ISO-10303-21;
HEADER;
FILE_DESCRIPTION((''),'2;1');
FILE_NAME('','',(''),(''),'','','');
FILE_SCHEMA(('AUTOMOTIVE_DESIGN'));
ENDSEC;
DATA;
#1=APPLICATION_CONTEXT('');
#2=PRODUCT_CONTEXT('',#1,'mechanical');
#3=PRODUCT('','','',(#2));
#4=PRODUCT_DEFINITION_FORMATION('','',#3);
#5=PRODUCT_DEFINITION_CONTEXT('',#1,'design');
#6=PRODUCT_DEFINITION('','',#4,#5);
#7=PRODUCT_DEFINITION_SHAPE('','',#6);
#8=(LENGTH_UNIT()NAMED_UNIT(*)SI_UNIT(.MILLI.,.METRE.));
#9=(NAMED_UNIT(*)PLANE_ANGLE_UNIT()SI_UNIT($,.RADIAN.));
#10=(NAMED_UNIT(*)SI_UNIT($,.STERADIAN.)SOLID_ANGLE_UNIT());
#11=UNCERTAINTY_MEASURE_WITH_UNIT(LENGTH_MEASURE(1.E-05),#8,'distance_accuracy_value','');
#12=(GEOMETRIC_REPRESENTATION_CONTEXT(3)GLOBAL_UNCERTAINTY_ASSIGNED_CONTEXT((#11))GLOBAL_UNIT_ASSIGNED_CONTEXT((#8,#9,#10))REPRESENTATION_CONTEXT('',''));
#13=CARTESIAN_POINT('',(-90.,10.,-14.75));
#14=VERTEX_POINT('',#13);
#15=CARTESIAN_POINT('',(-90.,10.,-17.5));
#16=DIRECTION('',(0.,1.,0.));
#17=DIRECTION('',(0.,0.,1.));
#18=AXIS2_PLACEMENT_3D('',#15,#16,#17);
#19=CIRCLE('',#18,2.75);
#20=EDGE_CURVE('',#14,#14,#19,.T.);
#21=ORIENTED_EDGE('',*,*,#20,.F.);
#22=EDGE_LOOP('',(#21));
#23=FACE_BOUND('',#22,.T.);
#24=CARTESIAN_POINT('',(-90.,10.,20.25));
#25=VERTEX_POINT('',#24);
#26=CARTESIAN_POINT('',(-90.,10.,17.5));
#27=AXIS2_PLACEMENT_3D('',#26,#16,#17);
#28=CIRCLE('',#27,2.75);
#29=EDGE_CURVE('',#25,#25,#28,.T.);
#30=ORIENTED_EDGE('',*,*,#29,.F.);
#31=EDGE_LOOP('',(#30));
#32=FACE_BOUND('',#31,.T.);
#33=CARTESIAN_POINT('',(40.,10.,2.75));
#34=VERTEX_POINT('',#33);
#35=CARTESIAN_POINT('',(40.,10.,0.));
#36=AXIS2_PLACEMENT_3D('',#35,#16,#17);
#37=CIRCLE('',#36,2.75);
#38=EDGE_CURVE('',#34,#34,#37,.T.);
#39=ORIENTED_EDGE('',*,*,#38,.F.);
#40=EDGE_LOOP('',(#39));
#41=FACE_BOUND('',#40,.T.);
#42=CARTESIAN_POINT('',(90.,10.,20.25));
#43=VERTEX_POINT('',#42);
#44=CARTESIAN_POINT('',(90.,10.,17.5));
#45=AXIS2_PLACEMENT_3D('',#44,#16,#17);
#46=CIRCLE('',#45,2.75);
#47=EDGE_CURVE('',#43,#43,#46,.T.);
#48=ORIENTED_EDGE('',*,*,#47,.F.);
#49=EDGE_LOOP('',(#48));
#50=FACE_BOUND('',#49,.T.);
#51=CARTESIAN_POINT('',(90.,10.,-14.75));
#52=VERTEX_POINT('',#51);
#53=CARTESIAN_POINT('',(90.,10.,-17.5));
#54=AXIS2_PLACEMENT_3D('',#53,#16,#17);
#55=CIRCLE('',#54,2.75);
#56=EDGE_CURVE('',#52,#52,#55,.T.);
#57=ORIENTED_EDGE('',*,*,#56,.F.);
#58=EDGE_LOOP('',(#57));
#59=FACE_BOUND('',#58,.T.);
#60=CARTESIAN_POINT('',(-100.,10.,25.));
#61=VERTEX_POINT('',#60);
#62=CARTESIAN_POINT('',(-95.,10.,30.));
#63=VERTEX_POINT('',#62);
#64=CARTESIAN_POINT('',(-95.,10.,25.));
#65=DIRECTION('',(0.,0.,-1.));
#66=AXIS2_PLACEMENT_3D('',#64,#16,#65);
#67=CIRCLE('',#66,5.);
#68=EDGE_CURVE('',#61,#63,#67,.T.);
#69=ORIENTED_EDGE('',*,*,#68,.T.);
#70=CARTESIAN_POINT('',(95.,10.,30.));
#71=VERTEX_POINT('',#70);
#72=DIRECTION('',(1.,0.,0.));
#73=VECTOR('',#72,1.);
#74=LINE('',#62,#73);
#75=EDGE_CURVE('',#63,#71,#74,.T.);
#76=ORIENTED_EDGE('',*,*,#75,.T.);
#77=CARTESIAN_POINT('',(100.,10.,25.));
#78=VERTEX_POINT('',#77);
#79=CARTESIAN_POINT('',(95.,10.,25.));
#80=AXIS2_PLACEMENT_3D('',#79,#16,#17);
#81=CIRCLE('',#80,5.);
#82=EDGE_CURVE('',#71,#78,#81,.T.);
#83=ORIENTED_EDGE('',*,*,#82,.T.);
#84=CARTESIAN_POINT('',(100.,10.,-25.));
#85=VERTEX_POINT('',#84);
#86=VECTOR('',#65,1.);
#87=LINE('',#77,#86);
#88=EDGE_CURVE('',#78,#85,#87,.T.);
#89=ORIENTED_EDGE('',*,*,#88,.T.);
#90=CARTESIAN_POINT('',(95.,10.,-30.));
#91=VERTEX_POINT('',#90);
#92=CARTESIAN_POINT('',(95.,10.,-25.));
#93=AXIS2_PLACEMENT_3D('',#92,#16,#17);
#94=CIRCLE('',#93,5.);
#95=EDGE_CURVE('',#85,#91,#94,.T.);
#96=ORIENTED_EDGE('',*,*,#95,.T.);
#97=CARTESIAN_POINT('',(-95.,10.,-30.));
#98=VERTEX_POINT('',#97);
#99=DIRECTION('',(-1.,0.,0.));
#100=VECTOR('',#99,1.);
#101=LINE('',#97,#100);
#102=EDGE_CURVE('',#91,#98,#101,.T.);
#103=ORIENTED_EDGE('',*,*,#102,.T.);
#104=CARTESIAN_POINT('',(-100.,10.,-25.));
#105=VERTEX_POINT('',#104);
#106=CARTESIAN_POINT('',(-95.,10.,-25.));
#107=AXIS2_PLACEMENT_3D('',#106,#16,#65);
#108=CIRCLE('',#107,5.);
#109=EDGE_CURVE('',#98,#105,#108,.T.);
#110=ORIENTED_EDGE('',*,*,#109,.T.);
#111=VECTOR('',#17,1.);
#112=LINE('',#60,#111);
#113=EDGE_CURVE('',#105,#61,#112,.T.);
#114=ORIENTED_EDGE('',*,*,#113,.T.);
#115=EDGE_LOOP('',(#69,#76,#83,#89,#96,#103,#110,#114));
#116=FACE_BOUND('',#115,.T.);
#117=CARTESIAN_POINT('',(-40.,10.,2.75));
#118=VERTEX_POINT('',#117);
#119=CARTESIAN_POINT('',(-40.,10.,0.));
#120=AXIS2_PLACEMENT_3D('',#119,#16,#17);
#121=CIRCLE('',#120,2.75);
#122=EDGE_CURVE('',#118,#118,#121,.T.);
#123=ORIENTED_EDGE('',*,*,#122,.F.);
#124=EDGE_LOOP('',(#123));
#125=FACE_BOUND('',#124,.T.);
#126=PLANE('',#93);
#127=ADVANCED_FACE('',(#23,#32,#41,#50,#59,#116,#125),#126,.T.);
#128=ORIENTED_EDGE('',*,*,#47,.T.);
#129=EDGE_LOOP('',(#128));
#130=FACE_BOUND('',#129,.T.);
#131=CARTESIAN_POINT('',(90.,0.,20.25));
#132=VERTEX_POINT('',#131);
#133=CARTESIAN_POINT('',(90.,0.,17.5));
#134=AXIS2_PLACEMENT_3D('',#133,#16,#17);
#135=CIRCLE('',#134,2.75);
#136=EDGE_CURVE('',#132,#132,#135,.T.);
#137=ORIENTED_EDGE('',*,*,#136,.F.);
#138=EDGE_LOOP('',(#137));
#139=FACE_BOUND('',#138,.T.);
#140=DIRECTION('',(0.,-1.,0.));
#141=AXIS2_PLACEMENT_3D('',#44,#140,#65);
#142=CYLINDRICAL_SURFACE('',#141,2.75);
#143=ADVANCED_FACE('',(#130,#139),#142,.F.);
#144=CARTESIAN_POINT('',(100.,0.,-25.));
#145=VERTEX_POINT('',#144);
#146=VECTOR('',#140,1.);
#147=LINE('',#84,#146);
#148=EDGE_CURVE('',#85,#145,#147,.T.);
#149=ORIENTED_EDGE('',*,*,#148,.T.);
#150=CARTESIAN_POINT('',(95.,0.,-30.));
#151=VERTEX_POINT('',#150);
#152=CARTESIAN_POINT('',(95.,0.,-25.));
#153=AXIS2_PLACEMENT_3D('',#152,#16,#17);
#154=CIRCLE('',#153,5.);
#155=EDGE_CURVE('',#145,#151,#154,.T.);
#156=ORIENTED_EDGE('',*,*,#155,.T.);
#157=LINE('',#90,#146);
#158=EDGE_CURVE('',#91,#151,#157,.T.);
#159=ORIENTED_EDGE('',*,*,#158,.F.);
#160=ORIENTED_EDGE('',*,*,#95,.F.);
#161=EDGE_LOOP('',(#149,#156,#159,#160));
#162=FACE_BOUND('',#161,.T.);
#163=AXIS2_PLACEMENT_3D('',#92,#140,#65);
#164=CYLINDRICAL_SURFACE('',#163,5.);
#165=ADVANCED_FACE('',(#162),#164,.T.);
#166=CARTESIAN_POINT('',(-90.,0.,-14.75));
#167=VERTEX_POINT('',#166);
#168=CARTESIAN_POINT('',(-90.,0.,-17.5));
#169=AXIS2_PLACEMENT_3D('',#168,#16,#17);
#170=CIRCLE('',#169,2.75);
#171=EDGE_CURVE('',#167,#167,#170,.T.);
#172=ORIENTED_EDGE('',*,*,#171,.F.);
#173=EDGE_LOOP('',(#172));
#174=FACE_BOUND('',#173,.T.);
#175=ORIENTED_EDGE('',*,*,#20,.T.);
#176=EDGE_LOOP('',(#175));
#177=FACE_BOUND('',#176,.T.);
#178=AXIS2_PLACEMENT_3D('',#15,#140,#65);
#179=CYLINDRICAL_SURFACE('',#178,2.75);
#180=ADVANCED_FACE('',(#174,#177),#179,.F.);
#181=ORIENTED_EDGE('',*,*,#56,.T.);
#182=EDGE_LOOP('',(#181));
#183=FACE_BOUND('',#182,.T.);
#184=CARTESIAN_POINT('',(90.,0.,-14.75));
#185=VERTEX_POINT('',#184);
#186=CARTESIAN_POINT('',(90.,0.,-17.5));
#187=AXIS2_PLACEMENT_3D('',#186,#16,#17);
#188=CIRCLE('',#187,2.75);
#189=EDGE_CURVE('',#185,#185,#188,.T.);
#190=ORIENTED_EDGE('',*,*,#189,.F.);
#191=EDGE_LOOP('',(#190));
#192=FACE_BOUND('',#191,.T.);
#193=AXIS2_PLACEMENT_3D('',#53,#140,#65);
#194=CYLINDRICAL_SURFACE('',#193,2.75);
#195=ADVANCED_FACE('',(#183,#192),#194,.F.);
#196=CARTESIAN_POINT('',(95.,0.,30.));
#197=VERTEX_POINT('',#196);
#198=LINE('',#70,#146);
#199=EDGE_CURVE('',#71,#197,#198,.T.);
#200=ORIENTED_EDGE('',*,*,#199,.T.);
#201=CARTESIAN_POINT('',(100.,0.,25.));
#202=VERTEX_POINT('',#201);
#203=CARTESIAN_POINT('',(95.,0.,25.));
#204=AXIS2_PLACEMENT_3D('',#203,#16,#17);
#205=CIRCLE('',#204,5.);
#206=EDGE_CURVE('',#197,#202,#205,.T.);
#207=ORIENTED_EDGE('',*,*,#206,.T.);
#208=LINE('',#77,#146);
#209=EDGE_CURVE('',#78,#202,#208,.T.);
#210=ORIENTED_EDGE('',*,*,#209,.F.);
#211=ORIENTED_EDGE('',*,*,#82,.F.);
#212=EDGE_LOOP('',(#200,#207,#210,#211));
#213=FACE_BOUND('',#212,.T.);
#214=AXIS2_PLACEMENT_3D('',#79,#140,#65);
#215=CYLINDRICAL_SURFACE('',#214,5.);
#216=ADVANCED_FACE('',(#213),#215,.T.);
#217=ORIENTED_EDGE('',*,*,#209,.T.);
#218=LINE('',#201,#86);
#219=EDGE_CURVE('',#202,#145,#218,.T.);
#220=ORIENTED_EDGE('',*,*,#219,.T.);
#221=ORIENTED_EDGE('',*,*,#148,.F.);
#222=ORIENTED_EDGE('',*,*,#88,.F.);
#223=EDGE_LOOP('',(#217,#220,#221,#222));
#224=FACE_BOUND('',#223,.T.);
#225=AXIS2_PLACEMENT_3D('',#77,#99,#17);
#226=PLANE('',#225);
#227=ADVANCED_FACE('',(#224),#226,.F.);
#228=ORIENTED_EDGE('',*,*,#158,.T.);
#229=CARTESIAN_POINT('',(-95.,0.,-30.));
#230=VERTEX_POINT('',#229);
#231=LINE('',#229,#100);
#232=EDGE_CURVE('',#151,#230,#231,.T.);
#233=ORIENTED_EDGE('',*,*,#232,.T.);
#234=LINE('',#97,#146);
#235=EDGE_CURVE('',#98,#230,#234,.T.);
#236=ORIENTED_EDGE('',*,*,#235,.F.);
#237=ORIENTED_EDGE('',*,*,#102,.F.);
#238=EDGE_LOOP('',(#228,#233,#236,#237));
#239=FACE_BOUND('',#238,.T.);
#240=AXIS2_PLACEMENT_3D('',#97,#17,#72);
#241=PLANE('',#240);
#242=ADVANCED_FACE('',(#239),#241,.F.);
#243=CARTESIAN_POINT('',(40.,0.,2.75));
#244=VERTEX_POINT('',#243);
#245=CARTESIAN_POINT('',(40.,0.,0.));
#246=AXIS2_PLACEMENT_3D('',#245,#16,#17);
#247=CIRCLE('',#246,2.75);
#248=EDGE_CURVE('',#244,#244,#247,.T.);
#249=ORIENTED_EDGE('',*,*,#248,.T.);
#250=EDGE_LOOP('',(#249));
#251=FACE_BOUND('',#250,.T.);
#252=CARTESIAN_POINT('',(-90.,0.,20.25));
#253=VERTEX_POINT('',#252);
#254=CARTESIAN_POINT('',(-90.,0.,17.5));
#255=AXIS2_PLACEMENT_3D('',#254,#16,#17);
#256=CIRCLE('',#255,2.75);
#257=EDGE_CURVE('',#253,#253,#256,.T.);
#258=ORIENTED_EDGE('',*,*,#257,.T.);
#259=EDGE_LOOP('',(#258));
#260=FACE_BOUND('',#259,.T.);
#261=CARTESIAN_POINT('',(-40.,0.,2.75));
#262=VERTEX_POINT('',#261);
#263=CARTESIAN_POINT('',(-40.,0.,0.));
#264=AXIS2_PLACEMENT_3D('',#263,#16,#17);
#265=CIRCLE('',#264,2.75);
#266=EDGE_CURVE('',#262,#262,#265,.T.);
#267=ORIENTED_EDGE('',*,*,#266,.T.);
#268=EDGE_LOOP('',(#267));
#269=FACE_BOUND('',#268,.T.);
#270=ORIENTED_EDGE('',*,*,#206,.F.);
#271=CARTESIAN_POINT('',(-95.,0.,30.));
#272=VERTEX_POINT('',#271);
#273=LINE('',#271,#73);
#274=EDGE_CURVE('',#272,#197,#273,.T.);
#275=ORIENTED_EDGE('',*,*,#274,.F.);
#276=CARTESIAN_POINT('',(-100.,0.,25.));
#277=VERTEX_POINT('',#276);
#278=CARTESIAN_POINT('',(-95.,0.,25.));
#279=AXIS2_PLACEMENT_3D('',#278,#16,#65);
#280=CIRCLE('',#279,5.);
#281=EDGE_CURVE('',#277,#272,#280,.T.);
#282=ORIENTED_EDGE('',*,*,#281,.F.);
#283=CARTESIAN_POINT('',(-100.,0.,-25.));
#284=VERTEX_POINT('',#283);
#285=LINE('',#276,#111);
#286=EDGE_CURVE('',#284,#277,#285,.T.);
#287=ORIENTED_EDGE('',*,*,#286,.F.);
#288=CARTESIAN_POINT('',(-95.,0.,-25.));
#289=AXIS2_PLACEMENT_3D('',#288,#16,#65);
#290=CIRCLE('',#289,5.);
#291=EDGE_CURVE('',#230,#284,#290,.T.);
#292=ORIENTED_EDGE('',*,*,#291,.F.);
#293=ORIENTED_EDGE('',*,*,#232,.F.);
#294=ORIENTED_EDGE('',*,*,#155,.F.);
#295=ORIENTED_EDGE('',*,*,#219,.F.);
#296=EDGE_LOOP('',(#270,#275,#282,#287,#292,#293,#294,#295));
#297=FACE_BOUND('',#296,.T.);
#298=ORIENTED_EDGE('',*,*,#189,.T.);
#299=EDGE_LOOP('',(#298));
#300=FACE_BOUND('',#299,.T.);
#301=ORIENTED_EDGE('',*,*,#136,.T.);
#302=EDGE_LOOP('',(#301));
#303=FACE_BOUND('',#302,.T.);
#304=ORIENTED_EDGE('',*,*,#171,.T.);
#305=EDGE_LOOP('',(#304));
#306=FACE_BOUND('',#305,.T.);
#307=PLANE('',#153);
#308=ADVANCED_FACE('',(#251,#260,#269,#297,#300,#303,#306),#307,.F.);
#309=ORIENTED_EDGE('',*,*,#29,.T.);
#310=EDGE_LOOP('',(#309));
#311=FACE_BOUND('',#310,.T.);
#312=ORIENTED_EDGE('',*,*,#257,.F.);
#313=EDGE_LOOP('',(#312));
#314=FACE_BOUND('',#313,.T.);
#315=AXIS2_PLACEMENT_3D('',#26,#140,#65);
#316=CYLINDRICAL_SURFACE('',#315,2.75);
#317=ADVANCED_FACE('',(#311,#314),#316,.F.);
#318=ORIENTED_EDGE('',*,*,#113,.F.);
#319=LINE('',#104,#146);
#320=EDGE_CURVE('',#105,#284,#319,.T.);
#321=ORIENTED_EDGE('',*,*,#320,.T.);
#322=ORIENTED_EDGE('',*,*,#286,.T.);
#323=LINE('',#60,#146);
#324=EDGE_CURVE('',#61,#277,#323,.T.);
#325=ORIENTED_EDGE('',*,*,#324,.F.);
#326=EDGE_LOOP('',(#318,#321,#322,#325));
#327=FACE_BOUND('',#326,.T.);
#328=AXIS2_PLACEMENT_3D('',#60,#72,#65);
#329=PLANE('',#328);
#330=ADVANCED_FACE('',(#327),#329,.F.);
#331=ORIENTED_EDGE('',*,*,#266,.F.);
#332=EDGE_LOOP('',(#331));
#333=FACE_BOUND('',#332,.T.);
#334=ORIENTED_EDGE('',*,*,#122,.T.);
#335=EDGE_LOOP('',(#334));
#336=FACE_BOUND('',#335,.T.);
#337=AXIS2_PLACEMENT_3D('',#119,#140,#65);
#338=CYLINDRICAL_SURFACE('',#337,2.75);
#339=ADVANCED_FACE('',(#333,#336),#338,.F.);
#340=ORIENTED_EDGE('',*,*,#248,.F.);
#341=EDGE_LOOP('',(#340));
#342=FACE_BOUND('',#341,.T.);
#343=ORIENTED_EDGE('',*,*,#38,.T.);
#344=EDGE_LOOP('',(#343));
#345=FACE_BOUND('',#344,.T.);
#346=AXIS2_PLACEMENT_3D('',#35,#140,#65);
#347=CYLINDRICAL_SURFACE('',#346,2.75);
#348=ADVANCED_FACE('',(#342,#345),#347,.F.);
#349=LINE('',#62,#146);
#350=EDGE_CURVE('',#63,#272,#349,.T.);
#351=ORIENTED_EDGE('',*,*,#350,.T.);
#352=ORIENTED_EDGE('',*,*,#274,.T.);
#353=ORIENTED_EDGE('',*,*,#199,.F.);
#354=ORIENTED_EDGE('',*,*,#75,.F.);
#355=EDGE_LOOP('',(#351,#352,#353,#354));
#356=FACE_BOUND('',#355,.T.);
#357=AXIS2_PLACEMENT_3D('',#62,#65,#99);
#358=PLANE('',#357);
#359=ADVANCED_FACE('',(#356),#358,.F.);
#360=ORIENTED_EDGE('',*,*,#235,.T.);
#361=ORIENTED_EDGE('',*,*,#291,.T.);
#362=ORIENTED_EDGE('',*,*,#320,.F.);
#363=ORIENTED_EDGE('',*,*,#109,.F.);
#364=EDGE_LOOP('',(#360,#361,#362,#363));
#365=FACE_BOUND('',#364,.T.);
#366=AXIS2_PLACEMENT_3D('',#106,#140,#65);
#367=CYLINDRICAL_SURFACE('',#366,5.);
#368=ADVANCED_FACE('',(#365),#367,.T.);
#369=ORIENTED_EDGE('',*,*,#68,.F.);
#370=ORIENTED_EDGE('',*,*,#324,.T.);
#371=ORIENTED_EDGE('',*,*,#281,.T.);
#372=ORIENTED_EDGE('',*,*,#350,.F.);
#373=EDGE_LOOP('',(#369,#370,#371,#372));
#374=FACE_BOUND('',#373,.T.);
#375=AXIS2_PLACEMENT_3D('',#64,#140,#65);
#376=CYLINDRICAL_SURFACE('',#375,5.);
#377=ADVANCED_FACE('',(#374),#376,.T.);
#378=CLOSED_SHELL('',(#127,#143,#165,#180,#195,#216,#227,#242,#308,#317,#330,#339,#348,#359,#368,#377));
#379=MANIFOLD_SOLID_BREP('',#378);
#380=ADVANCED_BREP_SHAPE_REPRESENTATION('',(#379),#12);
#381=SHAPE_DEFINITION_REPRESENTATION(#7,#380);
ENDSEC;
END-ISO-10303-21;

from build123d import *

# Parameters (mm, degrees)
SKETCH1_R           = 2.75
BOSS_EXTRUDE1_DEPTH = 10


with BuildPart() as part:
    # Sketch1 → Boss-Extrude1 (new body)
    with BuildSketch(Plane(origin=(0, 0, 0), x_dir=(1, 0, 0), z_dir=(0, 1, 0))):
        with BuildLine():
            Line((-95, -30), (95, -30))
            ThreePointArc((95, -30), (98.535533906, -28.535533906), (100, -25))
            Line((100, -25), (100, 25))
            ThreePointArc((100, 25), (98.535533906, 28.535533906), (95, 30))
            Line((95, 30), (-95, 30))
            ThreePointArc((-95, 30), (-98.535533906, 28.535533906), (-100, 25))
            Line((-100, 25), (-100, -25))
            ThreePointArc((-100, -25), (-98.535533906, -28.535533906), (-95, -30))
        make_face()
        with Locations(Location((-90, 17.5, 0), (0, 0, 270))):
            Circle(SKETCH1_R, mode=Mode.SUBTRACT)
        with Locations(Location((-90, -17.5, 0), (0, 0, 270))):
            Circle(SKETCH1_R, mode=Mode.SUBTRACT)
        with Locations(Location((90, 17.5, 0), (0, 0, 270))):
            Circle(SKETCH1_R, mode=Mode.SUBTRACT)
        with Locations(Location((90, -17.5, 0), (0, 0, 270))):
            Circle(SKETCH1_R, mode=Mode.SUBTRACT)
        with Locations(Location((-40, 0, 0), (0, 0, 270))):
            Circle(SKETCH1_R, mode=Mode.SUBTRACT)
        with Locations(Location((40, 0, 0), (0, 0, 270))):
            Circle(SKETCH1_R, mode=Mode.SUBTRACT)
    extrude(amount=BOSS_EXTRUDE1_DEPTH)


solid = part.part
